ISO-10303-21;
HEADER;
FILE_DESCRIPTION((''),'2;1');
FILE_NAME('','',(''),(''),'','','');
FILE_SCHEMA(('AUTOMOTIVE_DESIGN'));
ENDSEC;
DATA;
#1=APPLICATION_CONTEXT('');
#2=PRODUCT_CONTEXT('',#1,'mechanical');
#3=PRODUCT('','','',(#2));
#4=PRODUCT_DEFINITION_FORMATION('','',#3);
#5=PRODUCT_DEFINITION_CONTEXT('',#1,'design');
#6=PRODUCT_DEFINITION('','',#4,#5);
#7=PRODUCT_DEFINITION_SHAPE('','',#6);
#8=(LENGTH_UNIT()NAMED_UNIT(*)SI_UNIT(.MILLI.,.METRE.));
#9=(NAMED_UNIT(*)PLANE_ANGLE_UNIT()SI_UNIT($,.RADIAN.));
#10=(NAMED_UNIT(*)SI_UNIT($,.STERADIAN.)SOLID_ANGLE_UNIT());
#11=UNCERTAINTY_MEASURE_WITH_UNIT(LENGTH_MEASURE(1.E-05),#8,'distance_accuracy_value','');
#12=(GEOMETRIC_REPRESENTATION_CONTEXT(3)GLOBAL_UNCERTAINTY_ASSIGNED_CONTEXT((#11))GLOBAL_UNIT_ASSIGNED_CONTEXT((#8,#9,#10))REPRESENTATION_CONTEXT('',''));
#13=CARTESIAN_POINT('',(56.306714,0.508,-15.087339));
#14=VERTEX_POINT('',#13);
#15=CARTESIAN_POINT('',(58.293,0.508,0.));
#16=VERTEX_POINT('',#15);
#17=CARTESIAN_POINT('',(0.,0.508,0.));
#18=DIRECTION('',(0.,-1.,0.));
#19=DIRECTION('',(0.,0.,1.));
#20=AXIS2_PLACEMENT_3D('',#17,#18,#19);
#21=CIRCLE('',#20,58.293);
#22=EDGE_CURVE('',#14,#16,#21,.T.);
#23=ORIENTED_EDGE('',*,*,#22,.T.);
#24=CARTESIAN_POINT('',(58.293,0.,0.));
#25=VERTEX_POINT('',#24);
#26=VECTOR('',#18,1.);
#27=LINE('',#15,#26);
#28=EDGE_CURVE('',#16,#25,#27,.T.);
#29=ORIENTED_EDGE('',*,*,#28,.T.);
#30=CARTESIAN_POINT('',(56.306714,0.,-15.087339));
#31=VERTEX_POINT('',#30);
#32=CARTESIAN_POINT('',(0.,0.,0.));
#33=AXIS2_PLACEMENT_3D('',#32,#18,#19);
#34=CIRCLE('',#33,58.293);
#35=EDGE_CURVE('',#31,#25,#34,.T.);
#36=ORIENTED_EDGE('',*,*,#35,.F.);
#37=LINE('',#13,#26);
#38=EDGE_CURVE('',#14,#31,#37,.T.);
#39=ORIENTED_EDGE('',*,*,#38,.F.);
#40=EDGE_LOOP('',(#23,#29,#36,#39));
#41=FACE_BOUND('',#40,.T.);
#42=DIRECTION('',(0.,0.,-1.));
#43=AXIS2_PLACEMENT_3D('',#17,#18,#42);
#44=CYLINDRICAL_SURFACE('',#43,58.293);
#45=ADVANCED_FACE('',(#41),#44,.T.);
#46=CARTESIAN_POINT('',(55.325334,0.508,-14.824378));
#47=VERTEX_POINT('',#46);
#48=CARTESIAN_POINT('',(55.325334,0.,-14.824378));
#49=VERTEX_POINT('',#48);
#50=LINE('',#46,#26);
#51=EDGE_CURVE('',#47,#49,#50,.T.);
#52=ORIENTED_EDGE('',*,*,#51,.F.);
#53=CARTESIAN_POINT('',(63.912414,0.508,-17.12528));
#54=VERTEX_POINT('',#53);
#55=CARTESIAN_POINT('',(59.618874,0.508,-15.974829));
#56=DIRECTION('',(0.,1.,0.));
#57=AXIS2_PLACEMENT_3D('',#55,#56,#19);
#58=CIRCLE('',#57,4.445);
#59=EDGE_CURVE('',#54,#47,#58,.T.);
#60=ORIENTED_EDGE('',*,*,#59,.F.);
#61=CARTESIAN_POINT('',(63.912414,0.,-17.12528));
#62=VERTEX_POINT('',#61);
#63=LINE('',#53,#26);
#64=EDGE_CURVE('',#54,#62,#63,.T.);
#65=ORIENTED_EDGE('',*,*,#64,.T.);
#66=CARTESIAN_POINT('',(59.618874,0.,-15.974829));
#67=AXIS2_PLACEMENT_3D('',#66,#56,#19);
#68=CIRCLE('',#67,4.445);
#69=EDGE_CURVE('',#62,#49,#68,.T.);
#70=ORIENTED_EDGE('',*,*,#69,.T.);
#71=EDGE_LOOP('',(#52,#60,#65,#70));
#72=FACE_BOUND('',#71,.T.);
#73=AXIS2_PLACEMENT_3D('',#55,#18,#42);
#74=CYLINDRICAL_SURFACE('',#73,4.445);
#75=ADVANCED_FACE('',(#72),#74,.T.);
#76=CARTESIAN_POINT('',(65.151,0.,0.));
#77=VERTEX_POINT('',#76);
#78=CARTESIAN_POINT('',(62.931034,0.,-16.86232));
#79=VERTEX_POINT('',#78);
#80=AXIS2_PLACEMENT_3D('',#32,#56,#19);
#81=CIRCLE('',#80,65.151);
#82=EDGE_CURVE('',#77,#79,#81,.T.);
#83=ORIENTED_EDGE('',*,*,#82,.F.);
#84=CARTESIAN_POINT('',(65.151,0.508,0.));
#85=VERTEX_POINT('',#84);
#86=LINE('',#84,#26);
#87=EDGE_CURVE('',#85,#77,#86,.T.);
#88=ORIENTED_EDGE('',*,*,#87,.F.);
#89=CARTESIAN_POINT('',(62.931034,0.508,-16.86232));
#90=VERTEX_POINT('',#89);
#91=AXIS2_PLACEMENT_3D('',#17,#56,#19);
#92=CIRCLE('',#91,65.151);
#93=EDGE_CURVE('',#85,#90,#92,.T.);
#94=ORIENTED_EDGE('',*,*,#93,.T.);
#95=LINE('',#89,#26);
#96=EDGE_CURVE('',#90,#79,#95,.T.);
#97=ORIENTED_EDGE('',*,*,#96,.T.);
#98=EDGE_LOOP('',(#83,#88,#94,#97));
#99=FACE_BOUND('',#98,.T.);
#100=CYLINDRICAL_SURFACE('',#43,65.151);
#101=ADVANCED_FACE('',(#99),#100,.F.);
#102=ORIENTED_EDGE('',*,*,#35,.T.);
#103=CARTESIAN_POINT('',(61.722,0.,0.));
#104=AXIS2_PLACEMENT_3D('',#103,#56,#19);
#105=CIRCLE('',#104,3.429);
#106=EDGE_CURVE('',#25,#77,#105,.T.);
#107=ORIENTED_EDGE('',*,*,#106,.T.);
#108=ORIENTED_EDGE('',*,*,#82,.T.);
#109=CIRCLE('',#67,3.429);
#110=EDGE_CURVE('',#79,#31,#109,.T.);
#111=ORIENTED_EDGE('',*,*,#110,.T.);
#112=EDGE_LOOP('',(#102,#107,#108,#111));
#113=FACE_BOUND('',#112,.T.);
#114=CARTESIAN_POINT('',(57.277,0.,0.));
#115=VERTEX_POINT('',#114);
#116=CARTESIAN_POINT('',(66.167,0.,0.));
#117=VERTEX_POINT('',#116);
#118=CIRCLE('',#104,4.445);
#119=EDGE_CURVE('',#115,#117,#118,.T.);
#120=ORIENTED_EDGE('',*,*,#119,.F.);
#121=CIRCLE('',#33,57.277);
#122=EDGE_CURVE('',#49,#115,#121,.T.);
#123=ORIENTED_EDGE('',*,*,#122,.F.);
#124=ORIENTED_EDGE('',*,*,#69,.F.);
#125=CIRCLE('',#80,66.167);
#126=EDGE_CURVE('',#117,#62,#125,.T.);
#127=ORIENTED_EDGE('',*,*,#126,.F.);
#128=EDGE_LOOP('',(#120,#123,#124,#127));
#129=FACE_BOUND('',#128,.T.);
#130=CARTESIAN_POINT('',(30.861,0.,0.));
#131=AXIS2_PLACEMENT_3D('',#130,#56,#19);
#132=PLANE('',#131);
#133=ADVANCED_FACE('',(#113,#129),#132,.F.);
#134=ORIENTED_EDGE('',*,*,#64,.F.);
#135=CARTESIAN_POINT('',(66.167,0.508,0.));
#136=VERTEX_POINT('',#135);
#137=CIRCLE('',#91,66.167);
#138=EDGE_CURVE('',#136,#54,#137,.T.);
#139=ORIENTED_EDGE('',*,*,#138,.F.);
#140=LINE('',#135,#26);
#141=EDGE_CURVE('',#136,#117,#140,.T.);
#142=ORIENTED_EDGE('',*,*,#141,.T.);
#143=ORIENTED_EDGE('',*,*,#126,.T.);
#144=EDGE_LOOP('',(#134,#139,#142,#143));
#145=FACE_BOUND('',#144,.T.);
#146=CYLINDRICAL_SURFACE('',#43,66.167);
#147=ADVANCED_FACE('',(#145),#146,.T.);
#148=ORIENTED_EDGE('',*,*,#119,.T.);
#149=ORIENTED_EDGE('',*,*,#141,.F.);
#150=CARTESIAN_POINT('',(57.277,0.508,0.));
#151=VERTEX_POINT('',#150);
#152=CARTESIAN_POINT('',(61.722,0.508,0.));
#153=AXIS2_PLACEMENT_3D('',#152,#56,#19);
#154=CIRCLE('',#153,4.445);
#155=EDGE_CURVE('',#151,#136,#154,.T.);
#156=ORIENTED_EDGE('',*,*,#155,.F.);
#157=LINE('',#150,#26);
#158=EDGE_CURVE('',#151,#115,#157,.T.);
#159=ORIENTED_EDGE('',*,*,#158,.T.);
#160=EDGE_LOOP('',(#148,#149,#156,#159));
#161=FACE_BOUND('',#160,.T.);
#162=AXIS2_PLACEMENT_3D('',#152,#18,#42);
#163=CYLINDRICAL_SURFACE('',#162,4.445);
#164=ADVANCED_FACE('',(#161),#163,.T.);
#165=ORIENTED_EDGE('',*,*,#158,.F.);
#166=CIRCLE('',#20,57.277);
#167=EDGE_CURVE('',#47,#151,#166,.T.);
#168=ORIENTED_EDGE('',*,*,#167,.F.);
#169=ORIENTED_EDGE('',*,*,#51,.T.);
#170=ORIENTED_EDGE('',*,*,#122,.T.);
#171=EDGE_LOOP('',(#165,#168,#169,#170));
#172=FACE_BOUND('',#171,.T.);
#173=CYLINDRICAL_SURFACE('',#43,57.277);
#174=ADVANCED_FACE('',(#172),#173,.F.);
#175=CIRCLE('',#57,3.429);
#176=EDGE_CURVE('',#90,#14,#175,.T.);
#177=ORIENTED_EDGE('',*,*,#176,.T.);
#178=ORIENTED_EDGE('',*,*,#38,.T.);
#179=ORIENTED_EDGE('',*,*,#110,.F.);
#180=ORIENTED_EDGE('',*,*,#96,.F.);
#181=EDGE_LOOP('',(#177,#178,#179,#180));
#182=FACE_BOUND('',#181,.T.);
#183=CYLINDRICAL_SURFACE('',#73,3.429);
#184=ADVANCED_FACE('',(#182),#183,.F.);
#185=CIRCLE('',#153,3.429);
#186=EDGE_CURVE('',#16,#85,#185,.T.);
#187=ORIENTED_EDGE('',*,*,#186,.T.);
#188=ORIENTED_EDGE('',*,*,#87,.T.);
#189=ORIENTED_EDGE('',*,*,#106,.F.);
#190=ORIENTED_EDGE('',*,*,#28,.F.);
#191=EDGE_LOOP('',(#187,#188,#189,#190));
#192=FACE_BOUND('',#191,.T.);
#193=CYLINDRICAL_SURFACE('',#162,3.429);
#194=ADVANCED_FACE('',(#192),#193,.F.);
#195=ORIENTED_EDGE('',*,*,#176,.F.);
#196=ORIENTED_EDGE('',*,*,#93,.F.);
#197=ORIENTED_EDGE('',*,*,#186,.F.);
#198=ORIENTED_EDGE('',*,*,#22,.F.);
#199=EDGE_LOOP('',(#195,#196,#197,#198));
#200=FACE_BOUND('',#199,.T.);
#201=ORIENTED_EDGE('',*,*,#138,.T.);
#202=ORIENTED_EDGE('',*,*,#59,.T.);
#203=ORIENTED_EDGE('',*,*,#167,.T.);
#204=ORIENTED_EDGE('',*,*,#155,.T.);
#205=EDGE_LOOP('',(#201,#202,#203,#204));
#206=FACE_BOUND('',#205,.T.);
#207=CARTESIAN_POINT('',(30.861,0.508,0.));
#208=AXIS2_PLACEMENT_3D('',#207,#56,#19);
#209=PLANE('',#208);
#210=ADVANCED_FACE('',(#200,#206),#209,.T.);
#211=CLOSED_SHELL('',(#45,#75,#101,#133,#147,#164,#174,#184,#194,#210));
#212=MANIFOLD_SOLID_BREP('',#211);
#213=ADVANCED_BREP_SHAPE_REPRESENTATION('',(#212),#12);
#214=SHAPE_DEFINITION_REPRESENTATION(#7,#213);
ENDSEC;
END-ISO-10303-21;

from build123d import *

# Parameters (mm, degrees)
BOSS_EXTRUDE1_DEPTH = 0.508


with BuildPart() as part:
    # Sketch1 → Boss-Extrude1 (new body)
    with BuildSketch(Plane(origin=(0, 0, 0), x_dir=(1, 0, 0), z_dir=(0, 1, 0))):
        with BuildLine():
            ThreePointArc((66.167, 0), (65.600932143, 8.636526561), (63.912414148, 17.125279757))
            ThreePointArc((63.912414148, 17.125279757), (58.468423195, 20.2683694), (55.325333552, 14.824378446))
            ThreePointArc((55.325333552, 14.824378446), (56.786987325, 7.476148712), (57.277, 0))
            ThreePointArc((57.277, 0), (61.722, -4.445), (66.167, 0))
        make_face()
        with BuildLine():
            ThreePointArc((65.151, 0), (64.593624163, 8.503911949), (62.931033509, 16.862319607))
            ThreePointArc((62.931033509, 16.862319607), (58.731383345, 19.28698876), (56.306714192, 15.087338596))
            ThreePointArc((56.306714192, 15.087338596), (57.794295304, 7.608763323), (58.293, 0))
            ThreePointArc((58.293, 0), (61.722, -3.429), (65.151, 0))
        make_face(mode=Mode.SUBTRACT)
    extrude(amount=BOSS_EXTRUDE1_DEPTH)


solid = part.part
